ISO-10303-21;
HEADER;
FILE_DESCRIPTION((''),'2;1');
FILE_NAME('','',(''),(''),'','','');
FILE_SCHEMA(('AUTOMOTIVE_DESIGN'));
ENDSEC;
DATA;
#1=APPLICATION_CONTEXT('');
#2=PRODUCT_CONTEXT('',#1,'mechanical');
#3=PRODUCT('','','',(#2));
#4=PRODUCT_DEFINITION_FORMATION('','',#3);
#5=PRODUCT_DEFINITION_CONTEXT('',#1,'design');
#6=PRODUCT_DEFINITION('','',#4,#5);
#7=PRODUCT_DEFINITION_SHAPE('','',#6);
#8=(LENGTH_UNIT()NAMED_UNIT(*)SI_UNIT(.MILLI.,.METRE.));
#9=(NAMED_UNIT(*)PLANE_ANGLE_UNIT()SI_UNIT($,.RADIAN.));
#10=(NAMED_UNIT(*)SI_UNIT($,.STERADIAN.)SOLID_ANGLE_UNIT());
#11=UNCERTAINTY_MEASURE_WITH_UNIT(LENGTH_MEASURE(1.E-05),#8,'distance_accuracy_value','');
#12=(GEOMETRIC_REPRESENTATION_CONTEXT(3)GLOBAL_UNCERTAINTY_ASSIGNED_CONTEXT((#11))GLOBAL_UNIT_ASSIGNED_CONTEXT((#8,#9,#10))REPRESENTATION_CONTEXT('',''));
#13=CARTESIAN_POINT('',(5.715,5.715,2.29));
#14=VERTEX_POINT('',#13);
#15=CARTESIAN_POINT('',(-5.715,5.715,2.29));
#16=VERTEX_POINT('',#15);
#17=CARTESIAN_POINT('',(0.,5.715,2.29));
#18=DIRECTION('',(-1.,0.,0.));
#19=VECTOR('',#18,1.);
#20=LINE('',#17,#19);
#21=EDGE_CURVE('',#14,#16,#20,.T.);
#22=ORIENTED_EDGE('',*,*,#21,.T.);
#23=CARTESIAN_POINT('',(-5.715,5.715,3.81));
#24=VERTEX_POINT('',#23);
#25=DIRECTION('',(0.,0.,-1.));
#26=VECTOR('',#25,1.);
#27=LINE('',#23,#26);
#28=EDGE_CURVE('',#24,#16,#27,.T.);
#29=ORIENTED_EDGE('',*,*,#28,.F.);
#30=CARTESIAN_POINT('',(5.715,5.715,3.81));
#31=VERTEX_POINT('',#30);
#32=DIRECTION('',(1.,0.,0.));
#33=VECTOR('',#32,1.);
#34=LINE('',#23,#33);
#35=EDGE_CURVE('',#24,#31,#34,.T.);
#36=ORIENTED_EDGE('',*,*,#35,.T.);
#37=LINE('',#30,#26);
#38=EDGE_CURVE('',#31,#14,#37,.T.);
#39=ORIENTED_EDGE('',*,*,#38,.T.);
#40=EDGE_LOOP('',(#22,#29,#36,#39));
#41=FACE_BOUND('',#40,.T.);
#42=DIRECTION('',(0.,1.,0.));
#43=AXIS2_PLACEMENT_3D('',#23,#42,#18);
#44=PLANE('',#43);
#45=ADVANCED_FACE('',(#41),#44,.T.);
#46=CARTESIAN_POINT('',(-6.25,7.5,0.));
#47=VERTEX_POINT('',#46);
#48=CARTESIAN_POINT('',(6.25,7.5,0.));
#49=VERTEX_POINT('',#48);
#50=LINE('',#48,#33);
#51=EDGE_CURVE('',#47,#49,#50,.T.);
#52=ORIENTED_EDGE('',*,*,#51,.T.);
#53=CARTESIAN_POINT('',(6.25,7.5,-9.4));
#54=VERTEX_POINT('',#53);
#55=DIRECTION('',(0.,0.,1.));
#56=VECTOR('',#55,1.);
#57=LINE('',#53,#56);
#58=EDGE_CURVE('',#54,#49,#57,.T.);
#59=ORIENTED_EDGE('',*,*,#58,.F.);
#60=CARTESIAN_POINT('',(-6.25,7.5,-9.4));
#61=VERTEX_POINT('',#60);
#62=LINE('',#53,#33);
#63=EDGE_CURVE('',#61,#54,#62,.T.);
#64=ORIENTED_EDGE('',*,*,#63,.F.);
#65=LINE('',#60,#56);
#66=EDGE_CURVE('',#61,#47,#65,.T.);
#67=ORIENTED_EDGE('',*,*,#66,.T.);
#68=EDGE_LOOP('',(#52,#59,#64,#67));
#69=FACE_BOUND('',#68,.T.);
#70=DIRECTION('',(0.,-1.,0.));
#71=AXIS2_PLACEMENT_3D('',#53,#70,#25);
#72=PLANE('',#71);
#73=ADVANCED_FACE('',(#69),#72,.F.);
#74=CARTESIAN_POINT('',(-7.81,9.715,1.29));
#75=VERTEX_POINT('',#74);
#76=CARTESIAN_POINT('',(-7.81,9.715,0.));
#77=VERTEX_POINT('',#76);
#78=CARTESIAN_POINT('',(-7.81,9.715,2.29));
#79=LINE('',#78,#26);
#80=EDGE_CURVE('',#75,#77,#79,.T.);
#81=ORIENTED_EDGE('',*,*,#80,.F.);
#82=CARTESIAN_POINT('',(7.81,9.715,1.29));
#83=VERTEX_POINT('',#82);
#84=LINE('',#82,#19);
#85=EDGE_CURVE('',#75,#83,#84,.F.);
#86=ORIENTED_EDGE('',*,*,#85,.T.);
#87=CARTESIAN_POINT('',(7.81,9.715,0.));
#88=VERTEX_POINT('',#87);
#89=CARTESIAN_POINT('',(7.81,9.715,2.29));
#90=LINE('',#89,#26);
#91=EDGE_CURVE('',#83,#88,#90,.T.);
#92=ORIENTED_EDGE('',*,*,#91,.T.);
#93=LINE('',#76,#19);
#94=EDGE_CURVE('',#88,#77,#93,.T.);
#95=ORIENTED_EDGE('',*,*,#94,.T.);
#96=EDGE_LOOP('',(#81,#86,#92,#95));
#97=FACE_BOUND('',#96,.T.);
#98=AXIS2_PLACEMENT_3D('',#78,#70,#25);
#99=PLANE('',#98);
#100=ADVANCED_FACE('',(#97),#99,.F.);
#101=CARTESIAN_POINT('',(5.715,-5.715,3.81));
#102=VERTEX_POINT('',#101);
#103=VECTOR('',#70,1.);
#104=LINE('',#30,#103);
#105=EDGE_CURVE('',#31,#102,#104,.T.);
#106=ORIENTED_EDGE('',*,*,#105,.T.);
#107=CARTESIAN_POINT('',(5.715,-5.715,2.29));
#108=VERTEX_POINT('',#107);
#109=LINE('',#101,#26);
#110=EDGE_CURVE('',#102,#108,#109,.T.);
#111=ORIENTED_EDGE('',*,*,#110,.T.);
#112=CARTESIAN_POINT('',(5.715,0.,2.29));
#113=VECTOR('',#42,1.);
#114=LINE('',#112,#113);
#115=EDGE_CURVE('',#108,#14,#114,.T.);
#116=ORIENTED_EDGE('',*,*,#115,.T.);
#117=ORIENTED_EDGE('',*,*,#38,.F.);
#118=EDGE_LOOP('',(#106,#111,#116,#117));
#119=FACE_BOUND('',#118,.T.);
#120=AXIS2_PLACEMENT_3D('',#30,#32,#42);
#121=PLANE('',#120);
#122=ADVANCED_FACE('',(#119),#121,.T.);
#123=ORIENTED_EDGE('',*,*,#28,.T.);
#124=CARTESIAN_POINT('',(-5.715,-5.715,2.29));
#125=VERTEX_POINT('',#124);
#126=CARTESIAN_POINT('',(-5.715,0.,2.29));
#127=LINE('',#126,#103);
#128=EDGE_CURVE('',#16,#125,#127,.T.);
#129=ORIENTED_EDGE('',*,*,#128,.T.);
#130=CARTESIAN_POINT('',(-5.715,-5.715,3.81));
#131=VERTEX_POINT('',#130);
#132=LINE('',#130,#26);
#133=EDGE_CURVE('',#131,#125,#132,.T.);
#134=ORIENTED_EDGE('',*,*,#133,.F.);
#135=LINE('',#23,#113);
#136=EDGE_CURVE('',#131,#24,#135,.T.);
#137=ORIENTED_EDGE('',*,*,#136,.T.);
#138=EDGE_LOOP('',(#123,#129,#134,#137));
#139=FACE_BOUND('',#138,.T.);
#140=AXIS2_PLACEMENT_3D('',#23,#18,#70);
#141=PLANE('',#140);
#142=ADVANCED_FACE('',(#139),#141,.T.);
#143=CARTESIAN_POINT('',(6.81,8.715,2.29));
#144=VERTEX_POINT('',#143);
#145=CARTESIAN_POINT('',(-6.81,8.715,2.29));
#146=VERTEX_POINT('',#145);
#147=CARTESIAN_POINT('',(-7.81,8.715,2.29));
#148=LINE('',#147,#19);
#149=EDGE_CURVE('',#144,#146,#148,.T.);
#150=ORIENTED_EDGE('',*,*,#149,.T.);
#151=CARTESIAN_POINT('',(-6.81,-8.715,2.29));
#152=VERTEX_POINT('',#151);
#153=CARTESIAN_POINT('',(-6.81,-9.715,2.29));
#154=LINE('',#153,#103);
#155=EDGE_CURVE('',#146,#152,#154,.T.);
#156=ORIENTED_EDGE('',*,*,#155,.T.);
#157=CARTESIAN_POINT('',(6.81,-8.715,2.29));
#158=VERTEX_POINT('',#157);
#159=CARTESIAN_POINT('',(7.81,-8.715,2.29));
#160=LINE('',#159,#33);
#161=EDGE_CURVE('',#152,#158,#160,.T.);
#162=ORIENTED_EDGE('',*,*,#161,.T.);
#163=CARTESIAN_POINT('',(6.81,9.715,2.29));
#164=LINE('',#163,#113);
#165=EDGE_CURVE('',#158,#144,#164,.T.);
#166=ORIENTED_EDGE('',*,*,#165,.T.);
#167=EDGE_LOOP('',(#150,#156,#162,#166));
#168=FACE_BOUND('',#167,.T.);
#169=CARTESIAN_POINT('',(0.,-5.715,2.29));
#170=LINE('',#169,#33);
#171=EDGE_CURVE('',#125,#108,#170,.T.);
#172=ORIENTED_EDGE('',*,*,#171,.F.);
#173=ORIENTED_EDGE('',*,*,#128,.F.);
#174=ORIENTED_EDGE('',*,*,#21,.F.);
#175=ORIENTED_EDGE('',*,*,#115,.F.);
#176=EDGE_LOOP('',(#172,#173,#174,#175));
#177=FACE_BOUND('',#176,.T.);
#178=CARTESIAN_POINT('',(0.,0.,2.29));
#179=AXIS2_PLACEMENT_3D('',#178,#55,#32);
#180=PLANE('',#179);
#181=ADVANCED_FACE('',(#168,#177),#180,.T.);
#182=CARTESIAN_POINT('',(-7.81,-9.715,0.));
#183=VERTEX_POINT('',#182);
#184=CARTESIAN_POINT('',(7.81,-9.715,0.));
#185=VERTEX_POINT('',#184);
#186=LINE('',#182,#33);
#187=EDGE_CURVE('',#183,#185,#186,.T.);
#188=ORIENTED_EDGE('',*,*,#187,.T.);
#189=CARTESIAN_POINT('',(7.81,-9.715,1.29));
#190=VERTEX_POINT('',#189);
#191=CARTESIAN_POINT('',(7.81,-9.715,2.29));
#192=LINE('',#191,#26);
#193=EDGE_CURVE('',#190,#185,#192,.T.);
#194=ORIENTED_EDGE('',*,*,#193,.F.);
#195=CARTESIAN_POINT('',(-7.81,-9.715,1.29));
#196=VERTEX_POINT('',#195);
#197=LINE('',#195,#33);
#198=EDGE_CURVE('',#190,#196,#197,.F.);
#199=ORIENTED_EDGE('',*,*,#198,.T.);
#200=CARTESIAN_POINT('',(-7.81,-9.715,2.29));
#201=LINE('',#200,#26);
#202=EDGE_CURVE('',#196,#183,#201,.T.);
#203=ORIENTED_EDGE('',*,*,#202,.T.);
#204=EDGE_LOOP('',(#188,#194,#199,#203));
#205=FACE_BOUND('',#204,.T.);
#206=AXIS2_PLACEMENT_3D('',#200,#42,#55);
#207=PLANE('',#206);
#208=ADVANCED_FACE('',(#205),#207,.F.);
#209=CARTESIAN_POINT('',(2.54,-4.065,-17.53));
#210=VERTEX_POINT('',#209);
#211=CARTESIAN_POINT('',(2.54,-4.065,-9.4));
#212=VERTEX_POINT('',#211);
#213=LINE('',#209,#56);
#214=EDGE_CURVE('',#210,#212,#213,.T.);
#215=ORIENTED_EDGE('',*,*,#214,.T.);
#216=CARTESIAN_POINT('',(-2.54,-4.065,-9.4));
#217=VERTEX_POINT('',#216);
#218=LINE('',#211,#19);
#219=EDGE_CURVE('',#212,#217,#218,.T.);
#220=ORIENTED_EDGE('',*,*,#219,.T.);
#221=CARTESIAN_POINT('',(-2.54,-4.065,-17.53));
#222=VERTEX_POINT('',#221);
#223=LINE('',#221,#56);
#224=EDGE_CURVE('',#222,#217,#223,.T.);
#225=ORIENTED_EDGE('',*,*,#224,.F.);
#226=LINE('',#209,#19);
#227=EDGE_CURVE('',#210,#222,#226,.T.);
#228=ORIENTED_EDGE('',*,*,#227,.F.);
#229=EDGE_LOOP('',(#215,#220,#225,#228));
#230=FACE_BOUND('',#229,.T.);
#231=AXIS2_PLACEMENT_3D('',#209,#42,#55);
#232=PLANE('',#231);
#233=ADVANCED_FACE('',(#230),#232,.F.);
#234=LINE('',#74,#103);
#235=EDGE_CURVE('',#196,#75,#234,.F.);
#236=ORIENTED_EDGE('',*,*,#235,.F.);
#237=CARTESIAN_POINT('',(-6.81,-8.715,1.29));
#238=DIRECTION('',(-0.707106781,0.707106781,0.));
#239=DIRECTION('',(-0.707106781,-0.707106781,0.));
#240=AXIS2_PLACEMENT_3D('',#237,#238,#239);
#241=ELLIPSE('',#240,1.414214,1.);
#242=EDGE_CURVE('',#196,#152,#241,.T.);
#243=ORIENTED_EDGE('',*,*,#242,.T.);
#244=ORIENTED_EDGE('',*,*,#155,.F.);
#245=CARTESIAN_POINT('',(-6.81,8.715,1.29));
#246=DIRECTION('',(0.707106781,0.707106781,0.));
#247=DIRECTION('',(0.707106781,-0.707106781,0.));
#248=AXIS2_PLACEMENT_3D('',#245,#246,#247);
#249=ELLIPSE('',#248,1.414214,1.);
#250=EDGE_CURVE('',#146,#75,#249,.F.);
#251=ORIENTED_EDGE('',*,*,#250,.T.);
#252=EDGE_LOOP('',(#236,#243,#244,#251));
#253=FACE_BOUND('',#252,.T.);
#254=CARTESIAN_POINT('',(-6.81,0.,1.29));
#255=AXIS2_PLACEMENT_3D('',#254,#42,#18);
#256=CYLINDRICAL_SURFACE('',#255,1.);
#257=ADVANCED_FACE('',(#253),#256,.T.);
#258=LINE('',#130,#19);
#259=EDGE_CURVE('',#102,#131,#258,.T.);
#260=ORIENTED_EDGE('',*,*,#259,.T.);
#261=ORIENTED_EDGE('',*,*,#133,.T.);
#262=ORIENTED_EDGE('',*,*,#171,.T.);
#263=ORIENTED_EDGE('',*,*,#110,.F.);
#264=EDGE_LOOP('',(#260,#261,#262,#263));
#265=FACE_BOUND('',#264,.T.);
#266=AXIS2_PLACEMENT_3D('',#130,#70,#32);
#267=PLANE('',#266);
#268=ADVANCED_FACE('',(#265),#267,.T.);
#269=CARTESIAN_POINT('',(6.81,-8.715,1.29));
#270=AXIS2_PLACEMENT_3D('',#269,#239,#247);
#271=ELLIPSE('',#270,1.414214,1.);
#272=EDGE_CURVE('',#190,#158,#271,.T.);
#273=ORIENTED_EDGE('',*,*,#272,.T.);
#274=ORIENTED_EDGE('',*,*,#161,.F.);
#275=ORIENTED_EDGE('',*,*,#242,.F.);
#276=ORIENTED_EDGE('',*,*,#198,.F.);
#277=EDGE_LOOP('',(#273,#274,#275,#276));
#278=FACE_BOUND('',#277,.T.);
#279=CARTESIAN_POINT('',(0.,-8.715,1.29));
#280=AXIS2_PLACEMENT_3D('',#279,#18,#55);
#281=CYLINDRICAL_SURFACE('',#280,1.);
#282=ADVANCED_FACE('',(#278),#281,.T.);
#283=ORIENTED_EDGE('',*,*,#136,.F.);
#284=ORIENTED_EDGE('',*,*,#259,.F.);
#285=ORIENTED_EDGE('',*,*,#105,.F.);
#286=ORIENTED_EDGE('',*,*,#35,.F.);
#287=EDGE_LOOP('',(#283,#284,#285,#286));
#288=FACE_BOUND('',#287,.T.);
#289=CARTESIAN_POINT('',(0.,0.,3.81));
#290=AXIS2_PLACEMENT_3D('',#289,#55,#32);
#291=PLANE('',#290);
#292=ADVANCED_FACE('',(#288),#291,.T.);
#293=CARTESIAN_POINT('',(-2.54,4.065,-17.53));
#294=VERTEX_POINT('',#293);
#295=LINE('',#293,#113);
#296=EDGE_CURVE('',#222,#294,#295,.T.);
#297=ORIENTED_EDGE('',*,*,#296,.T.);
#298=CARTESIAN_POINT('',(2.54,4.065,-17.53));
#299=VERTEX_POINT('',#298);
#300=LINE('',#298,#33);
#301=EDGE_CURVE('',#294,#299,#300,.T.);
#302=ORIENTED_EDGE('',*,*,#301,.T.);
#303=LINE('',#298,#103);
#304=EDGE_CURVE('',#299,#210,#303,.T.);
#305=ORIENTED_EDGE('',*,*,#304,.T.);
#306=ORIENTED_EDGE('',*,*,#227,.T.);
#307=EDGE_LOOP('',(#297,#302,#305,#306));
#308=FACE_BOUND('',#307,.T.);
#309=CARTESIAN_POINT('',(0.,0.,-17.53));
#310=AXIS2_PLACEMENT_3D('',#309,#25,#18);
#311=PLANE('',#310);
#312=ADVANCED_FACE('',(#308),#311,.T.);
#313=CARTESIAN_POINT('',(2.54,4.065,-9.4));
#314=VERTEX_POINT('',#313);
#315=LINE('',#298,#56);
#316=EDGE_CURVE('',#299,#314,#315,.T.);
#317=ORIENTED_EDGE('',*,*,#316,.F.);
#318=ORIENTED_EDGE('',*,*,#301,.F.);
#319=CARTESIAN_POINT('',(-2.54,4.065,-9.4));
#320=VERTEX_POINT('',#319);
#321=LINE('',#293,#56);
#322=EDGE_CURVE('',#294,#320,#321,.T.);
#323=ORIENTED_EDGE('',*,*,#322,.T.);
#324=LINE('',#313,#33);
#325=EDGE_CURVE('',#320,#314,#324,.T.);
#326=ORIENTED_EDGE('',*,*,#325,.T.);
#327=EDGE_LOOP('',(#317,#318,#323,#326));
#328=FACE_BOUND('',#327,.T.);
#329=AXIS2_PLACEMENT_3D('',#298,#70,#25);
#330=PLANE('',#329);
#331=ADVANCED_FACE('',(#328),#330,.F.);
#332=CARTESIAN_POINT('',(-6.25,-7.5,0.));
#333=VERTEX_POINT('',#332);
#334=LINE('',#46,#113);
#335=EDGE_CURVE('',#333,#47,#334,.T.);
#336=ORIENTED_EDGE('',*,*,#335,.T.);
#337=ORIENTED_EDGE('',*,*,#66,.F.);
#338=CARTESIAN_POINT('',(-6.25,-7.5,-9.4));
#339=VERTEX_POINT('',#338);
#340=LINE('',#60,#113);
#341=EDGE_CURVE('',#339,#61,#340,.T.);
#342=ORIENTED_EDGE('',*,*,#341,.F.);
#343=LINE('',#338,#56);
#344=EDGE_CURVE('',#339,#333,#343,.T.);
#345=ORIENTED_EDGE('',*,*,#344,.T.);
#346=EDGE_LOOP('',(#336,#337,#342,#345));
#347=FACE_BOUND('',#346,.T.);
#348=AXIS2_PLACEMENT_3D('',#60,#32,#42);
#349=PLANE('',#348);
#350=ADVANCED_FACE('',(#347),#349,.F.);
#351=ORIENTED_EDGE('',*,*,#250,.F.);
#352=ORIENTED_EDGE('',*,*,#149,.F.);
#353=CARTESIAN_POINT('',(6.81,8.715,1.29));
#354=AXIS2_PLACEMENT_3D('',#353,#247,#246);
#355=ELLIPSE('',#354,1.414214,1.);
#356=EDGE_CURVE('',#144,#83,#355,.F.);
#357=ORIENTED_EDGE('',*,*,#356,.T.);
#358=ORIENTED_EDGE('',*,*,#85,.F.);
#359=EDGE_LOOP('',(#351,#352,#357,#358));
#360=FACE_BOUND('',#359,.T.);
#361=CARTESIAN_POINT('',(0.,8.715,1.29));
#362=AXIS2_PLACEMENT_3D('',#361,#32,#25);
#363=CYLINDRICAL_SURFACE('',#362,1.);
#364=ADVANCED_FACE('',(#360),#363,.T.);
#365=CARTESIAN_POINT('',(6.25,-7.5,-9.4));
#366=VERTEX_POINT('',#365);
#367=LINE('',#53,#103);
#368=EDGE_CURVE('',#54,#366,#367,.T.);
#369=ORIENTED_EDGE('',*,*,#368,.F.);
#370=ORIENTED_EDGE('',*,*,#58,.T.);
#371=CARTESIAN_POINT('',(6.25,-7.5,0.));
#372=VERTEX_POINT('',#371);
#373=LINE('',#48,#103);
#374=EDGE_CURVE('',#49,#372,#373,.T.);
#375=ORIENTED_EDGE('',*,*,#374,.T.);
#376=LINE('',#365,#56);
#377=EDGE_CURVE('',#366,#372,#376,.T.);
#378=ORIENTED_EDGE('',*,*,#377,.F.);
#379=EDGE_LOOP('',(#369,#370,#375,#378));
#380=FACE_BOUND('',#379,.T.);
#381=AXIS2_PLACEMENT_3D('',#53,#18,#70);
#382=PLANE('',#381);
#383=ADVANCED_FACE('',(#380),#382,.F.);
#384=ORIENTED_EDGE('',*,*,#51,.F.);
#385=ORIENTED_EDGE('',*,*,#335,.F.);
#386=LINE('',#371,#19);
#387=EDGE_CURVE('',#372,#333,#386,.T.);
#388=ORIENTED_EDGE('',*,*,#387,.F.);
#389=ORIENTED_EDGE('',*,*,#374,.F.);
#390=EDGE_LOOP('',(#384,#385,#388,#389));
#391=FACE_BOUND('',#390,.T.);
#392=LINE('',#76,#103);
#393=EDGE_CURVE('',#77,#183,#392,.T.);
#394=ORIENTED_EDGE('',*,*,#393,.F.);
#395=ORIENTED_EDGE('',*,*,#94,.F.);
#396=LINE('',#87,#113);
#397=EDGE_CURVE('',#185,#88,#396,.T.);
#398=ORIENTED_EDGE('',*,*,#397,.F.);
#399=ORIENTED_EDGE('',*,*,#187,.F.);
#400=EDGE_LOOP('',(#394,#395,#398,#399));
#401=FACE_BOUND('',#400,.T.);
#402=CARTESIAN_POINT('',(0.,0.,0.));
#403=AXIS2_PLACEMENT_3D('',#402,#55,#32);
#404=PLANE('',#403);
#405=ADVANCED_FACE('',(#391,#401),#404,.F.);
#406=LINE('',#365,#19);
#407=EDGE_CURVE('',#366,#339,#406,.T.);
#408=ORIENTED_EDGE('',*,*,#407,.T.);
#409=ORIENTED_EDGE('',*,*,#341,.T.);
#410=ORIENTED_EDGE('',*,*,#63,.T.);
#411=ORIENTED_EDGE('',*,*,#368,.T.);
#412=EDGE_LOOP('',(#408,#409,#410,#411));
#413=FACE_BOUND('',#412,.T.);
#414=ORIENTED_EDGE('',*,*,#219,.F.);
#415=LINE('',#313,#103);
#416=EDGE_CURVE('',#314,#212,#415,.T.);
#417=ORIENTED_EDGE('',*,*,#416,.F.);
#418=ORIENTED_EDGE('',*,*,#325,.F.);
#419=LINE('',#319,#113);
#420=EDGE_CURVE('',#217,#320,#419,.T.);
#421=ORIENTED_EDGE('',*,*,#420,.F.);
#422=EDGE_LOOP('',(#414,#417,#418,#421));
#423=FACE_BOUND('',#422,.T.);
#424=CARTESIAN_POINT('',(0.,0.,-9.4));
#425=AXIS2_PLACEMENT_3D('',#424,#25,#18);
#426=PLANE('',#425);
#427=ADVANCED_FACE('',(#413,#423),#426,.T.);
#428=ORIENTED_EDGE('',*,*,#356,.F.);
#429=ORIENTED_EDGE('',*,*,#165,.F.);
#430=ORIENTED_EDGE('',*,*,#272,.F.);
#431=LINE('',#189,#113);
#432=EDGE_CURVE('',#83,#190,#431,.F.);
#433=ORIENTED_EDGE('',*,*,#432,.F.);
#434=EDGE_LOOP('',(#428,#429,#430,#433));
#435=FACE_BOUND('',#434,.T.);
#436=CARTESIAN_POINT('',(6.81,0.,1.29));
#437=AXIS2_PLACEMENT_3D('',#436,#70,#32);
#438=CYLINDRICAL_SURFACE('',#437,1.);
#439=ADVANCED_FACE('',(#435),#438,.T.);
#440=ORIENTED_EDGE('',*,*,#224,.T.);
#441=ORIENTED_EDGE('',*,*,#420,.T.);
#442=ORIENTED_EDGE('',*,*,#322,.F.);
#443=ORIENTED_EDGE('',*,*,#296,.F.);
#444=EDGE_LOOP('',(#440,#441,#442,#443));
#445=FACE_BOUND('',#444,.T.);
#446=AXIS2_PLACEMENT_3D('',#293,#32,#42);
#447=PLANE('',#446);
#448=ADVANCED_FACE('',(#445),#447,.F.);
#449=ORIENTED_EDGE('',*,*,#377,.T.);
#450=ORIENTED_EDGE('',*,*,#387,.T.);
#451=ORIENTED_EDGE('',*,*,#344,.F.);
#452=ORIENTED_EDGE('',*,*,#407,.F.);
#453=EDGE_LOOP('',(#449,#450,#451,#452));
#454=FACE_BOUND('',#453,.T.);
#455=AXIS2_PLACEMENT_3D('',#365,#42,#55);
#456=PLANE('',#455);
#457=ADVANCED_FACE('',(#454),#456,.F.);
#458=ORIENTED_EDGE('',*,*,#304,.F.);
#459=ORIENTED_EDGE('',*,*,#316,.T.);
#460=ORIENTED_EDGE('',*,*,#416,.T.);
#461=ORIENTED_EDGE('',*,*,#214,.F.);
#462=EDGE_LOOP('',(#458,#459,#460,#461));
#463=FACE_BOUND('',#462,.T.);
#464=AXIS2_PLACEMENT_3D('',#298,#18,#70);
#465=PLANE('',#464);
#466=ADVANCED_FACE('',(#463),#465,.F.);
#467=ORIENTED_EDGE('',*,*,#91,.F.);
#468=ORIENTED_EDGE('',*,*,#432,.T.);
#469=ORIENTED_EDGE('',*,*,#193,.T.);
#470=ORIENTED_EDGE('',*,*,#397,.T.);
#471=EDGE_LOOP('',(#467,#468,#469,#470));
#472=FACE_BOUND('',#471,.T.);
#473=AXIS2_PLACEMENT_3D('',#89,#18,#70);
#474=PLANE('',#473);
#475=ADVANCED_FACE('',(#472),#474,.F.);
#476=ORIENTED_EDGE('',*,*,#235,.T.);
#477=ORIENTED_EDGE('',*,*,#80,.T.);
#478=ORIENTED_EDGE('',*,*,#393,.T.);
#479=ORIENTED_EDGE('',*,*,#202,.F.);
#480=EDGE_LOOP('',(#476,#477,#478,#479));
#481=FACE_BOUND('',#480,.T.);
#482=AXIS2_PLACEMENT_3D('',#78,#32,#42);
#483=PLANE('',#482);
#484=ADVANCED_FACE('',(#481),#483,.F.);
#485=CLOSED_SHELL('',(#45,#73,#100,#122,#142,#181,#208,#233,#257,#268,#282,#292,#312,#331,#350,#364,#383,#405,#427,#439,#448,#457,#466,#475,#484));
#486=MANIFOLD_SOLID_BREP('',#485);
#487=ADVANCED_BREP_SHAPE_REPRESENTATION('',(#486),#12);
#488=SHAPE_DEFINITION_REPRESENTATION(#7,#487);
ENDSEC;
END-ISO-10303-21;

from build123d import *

# Parameters (mm, degrees)
SKETCH1_W           = 15.62
SKETCH1_H           = 19.43
BOSS_EXTRUDE1_DEPTH = 2.29
SKETCH2_W           = 11.43
SKETCH2_H           = 11.43
BOSS_EXTRUDE2_DEPTH = 3.81
FILLET1_R           = 1
SKETCH3_W           = 12.5
SKETCH3_H           = 15
BOSS_EXTRUDE3_DEPTH = 9.4
SKETCH4_W           = 5.08
SKETCH4_H           = 8.13
BOSS_EXTRUDE4_DEPTH = 8.13


with BuildPart() as part:
    # Sketch1 → Boss-Extrude1 (new body)
    with BuildSketch(Plane.XY):
        Rectangle(SKETCH1_W, SKETCH1_H)
    extrude(amount=BOSS_EXTRUDE1_DEPTH)

    # Sketch2 → Boss-Extrude2 (add)
    with BuildSketch(Plane(origin=(0, 0, 0), x_dir=(-1, 0, 0), z_dir=(0, 0, -1))):
        Rectangle(SKETCH2_W, SKETCH2_H)
    extrude(amount=-BOSS_EXTRUDE2_DEPTH)

    # Fillet1
    fillet1_edges = [part.edges().sort_by_distance(p)[0] for p in [
        (-7.81, 0, 2.29),
        (0, -9.715, 2.29),
        (7.81, 0, 2.29),
        (0, 9.715, 2.29),
    ]]
    fillet(fillet1_edges, radius=FILLET1_R)

    # Sketch3 → Boss-Extrude3 (add)
    with BuildSketch(Plane(origin=(0, 0, 0), x_dir=(-1, 0, 0), z_dir=(0, 0, -1))):
        Rectangle(SKETCH3_W, SKETCH3_H)
    extrude(amount=BOSS_EXTRUDE3_DEPTH)

    # Sketch4 → Boss-Extrude4 (add)
    with BuildSketch(Plane(origin=(0, 0, -9.4), x_dir=(-1, 0, 0), z_dir=(0, 0, -1))):
        Rectangle(SKETCH4_W, SKETCH4_H)
    extrude(amount=BOSS_EXTRUDE4_DEPTH)


solid = part.part
